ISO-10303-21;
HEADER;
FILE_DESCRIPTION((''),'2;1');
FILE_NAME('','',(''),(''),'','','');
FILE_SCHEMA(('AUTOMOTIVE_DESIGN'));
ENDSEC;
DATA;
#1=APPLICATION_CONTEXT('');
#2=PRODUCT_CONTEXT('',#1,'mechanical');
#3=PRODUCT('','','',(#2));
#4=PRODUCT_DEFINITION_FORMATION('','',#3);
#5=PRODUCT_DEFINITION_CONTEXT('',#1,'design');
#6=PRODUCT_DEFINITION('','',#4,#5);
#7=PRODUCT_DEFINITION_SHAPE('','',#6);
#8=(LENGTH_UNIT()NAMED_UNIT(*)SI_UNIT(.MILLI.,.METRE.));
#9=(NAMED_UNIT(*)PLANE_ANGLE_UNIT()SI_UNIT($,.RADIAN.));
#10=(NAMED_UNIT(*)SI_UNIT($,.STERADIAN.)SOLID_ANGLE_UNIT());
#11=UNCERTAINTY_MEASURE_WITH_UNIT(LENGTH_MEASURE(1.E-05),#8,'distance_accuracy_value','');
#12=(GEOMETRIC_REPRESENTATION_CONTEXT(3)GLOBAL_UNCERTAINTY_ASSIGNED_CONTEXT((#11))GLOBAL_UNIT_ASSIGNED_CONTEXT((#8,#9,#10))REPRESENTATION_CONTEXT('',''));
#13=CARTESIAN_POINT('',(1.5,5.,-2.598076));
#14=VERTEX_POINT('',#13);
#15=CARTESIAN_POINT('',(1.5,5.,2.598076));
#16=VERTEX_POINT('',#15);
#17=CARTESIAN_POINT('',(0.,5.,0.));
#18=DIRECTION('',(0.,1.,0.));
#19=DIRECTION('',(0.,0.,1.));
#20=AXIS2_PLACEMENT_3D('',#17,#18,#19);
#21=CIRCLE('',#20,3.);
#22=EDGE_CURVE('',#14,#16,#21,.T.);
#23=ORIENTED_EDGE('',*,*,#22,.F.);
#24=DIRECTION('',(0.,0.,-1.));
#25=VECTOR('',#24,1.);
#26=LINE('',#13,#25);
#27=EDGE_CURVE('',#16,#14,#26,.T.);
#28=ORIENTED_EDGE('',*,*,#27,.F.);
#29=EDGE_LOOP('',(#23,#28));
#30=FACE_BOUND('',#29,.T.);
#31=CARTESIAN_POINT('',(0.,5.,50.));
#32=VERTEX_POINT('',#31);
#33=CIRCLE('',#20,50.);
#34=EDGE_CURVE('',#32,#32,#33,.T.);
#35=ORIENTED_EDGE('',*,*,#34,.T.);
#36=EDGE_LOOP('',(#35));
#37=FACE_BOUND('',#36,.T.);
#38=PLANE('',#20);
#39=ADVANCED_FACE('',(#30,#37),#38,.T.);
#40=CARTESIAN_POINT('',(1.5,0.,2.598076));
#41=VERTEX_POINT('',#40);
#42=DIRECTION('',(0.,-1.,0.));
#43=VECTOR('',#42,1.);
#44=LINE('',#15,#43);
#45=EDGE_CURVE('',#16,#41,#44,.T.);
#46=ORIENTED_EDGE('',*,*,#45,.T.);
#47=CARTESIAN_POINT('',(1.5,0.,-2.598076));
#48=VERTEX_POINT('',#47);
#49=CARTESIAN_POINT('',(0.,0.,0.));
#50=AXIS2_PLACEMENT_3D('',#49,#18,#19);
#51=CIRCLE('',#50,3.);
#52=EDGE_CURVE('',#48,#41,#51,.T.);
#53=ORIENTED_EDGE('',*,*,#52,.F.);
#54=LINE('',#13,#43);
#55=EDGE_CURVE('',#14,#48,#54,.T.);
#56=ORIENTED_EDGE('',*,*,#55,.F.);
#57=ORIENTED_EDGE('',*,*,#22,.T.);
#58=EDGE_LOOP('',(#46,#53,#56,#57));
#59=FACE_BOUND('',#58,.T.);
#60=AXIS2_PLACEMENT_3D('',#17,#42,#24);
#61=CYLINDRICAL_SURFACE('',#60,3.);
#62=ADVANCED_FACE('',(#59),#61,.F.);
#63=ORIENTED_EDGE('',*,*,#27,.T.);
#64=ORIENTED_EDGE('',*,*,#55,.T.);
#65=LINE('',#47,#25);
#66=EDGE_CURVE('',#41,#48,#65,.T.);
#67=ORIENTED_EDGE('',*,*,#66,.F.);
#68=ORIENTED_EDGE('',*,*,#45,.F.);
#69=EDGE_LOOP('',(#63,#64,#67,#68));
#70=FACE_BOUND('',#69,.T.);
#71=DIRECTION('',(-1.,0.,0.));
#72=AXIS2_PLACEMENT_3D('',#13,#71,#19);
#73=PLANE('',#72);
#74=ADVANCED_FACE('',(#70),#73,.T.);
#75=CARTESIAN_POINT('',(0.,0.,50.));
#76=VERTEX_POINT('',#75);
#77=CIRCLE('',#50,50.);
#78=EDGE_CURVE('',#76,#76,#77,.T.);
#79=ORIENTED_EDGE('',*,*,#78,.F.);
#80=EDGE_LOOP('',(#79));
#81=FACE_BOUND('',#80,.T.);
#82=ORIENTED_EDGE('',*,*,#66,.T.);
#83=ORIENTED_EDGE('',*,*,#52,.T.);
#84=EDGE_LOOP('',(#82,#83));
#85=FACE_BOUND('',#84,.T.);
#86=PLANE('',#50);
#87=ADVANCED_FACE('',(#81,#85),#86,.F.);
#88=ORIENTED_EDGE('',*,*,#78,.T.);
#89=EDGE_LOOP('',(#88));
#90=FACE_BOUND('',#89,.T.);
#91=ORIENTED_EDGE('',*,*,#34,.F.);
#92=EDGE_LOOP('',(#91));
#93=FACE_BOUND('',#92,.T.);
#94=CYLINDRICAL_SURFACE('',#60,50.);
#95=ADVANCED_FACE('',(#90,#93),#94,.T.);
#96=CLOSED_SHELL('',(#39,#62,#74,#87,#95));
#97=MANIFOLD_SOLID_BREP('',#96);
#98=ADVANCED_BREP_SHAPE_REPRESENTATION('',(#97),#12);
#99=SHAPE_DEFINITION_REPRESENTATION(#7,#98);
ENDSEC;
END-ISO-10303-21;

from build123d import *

# Parameters (mm, degrees)
SKETCH1_R           = 50
BOSS_EXTRUDE1_DEPTH = 5


with BuildPart() as part:
    # Sketch1 → Boss-Extrude1 (new body)
    with BuildSketch(Plane(origin=(0, 0, 0), x_dir=(1, 0, 0), z_dir=(0, 1, 0))):
        with Locations(Location((0, 0, 0), (0, 0, 270))):
            Circle(SKETCH1_R)
        with BuildLine():
            Line((1.5, 2.598076211), (1.5, -2.598076211))
            ThreePointArc((1.5, -2.598076211), (-3, 0), (1.5, 2.598076211))
        make_face(mode=Mode.SUBTRACT)
    extrude(amount=BOSS_EXTRUDE1_DEPTH)


solid = part.part
